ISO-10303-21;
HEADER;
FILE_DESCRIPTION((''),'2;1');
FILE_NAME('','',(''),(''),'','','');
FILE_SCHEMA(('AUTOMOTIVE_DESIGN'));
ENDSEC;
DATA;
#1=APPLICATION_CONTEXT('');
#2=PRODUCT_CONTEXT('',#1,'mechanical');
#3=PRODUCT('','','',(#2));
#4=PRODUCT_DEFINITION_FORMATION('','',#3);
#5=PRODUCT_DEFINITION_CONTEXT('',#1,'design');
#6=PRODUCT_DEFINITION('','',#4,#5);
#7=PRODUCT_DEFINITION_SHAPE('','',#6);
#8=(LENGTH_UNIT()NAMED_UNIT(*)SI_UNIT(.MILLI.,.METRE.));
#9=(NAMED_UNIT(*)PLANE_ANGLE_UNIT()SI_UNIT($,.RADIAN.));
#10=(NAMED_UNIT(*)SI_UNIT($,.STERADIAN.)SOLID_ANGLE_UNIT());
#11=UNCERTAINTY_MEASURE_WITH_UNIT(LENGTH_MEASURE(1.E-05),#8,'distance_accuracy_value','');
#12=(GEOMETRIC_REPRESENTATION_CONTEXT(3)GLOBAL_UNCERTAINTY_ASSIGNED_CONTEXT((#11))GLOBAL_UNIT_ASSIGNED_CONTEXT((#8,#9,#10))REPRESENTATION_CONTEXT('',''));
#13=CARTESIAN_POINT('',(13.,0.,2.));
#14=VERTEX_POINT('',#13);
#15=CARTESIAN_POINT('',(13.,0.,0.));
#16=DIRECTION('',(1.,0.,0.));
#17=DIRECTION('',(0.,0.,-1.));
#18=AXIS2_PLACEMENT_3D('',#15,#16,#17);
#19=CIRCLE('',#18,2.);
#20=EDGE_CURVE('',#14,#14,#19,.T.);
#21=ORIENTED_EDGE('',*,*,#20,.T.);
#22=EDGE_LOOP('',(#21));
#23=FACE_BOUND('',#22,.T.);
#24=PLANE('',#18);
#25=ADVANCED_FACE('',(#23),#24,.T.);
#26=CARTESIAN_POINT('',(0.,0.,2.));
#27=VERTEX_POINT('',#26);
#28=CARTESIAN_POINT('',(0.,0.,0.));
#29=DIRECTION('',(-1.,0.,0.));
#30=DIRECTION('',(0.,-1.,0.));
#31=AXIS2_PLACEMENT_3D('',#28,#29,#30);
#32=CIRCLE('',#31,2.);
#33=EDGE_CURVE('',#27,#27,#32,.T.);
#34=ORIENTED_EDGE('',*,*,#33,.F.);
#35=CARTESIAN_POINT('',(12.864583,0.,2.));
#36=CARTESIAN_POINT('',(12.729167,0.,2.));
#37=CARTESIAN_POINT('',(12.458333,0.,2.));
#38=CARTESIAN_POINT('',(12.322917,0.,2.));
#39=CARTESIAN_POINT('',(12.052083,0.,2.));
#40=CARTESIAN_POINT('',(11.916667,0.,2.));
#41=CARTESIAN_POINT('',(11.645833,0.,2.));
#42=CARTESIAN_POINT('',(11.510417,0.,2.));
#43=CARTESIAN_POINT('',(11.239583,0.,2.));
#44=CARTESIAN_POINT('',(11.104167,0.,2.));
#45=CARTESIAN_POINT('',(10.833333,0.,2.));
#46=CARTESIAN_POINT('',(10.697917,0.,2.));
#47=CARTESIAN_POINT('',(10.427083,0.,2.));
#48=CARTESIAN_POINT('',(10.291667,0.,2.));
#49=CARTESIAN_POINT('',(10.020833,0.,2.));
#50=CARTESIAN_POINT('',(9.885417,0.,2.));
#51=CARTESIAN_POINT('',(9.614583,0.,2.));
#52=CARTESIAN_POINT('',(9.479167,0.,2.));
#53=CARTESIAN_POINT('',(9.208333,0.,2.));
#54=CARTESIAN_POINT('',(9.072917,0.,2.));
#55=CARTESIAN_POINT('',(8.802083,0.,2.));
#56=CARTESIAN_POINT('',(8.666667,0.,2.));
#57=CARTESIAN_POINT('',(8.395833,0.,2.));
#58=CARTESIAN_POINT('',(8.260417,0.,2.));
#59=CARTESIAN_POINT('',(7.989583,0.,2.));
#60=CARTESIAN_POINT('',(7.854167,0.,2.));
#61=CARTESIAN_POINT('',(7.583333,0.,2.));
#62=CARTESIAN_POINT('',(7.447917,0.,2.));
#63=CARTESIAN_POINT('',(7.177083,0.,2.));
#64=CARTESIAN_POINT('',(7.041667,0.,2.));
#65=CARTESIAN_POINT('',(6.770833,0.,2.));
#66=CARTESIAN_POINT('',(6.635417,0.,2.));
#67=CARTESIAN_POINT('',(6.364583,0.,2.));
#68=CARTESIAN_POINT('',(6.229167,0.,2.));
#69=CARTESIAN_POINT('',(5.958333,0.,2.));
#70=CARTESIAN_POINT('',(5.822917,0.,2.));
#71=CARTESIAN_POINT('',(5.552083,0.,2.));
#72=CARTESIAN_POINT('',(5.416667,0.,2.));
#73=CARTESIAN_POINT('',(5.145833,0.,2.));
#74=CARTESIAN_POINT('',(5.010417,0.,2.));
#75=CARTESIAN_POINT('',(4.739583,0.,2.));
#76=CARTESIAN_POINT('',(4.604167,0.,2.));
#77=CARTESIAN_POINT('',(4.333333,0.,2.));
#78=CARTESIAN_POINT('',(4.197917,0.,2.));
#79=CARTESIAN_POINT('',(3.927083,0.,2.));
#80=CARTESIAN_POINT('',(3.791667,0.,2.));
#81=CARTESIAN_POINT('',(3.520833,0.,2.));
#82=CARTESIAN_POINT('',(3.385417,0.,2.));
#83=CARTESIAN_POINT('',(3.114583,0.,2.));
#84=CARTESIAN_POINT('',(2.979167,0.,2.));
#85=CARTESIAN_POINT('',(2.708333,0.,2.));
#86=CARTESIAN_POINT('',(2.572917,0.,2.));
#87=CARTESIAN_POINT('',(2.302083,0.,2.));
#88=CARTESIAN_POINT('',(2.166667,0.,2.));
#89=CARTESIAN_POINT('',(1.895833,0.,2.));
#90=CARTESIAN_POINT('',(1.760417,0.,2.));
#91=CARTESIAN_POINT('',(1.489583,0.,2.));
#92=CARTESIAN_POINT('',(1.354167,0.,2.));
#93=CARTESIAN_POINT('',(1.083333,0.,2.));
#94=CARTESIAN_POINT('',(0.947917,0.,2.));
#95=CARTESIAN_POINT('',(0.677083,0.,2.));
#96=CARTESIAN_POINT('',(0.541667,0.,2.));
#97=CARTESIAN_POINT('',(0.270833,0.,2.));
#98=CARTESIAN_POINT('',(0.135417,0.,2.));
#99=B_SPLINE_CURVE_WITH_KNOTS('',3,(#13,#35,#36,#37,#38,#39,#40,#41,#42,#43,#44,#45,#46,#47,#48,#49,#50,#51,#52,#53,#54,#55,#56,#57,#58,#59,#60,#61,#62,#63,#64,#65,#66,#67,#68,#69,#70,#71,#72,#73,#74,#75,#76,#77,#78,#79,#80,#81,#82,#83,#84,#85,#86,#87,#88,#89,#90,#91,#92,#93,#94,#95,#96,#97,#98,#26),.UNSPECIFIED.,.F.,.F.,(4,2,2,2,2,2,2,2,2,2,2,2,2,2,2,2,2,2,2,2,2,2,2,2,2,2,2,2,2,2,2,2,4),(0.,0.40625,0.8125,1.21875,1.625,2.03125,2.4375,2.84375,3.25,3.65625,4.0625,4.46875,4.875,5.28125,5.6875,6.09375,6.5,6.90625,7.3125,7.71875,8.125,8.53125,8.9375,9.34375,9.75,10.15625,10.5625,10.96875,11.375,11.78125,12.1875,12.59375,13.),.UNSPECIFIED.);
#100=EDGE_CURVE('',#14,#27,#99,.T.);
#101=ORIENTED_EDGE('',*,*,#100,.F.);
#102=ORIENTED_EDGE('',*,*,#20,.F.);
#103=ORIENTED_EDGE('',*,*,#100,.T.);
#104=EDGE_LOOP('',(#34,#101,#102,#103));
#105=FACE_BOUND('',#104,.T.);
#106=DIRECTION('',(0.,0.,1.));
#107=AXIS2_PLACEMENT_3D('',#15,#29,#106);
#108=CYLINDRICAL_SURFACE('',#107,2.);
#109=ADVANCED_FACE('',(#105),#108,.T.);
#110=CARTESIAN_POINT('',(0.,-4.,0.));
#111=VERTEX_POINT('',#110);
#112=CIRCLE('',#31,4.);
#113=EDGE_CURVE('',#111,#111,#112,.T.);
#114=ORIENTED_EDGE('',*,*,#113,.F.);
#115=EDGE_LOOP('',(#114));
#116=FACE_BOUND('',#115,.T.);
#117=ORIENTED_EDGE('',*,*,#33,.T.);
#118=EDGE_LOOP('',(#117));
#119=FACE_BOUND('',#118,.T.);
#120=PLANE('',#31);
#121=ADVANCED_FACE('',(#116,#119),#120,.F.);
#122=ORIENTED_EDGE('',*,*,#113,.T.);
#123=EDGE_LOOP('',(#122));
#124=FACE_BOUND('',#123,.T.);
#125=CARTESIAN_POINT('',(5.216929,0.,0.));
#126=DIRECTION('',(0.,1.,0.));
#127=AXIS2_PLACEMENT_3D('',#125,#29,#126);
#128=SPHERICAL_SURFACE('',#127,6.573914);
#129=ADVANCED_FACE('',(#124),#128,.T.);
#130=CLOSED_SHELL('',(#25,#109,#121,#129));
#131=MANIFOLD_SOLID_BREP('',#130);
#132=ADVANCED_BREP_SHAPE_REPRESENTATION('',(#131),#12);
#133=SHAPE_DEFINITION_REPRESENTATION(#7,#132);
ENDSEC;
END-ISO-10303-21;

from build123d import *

# Parameters (mm, degrees)
SKETCH1_R           = 2
BOSS_EXTRUDE1_DEPTH = 13


with BuildPart() as part:
    # Sketch1 → Boss-Extrude1 (new body)
    with BuildSketch(Plane(origin=(0, 0, 0), x_dir=(0, 0, -1), z_dir=(1, 0, 0))):
        with Locations(Location((0, 0, 0), (0, 0, 180))):
            Circle(SKETCH1_R)
    extrude(amount=BOSS_EXTRUDE1_DEPTH)

    # Sketch2 → Revolve1 (revolve)
    with BuildSketch(Plane.XY):
        with BuildLine():
            Line((0, 0), (0, 4))
            ThreePointArc((0, 4), (-1.008502354, 2.11195459), (-1.356985174, 0))
            Line((-1.356985174, 0), (0, 0))
        make_face()
    revolve(axis=Axis((-1.356985174, 0, 0), (1, 0, 0)))


solid = part.part
